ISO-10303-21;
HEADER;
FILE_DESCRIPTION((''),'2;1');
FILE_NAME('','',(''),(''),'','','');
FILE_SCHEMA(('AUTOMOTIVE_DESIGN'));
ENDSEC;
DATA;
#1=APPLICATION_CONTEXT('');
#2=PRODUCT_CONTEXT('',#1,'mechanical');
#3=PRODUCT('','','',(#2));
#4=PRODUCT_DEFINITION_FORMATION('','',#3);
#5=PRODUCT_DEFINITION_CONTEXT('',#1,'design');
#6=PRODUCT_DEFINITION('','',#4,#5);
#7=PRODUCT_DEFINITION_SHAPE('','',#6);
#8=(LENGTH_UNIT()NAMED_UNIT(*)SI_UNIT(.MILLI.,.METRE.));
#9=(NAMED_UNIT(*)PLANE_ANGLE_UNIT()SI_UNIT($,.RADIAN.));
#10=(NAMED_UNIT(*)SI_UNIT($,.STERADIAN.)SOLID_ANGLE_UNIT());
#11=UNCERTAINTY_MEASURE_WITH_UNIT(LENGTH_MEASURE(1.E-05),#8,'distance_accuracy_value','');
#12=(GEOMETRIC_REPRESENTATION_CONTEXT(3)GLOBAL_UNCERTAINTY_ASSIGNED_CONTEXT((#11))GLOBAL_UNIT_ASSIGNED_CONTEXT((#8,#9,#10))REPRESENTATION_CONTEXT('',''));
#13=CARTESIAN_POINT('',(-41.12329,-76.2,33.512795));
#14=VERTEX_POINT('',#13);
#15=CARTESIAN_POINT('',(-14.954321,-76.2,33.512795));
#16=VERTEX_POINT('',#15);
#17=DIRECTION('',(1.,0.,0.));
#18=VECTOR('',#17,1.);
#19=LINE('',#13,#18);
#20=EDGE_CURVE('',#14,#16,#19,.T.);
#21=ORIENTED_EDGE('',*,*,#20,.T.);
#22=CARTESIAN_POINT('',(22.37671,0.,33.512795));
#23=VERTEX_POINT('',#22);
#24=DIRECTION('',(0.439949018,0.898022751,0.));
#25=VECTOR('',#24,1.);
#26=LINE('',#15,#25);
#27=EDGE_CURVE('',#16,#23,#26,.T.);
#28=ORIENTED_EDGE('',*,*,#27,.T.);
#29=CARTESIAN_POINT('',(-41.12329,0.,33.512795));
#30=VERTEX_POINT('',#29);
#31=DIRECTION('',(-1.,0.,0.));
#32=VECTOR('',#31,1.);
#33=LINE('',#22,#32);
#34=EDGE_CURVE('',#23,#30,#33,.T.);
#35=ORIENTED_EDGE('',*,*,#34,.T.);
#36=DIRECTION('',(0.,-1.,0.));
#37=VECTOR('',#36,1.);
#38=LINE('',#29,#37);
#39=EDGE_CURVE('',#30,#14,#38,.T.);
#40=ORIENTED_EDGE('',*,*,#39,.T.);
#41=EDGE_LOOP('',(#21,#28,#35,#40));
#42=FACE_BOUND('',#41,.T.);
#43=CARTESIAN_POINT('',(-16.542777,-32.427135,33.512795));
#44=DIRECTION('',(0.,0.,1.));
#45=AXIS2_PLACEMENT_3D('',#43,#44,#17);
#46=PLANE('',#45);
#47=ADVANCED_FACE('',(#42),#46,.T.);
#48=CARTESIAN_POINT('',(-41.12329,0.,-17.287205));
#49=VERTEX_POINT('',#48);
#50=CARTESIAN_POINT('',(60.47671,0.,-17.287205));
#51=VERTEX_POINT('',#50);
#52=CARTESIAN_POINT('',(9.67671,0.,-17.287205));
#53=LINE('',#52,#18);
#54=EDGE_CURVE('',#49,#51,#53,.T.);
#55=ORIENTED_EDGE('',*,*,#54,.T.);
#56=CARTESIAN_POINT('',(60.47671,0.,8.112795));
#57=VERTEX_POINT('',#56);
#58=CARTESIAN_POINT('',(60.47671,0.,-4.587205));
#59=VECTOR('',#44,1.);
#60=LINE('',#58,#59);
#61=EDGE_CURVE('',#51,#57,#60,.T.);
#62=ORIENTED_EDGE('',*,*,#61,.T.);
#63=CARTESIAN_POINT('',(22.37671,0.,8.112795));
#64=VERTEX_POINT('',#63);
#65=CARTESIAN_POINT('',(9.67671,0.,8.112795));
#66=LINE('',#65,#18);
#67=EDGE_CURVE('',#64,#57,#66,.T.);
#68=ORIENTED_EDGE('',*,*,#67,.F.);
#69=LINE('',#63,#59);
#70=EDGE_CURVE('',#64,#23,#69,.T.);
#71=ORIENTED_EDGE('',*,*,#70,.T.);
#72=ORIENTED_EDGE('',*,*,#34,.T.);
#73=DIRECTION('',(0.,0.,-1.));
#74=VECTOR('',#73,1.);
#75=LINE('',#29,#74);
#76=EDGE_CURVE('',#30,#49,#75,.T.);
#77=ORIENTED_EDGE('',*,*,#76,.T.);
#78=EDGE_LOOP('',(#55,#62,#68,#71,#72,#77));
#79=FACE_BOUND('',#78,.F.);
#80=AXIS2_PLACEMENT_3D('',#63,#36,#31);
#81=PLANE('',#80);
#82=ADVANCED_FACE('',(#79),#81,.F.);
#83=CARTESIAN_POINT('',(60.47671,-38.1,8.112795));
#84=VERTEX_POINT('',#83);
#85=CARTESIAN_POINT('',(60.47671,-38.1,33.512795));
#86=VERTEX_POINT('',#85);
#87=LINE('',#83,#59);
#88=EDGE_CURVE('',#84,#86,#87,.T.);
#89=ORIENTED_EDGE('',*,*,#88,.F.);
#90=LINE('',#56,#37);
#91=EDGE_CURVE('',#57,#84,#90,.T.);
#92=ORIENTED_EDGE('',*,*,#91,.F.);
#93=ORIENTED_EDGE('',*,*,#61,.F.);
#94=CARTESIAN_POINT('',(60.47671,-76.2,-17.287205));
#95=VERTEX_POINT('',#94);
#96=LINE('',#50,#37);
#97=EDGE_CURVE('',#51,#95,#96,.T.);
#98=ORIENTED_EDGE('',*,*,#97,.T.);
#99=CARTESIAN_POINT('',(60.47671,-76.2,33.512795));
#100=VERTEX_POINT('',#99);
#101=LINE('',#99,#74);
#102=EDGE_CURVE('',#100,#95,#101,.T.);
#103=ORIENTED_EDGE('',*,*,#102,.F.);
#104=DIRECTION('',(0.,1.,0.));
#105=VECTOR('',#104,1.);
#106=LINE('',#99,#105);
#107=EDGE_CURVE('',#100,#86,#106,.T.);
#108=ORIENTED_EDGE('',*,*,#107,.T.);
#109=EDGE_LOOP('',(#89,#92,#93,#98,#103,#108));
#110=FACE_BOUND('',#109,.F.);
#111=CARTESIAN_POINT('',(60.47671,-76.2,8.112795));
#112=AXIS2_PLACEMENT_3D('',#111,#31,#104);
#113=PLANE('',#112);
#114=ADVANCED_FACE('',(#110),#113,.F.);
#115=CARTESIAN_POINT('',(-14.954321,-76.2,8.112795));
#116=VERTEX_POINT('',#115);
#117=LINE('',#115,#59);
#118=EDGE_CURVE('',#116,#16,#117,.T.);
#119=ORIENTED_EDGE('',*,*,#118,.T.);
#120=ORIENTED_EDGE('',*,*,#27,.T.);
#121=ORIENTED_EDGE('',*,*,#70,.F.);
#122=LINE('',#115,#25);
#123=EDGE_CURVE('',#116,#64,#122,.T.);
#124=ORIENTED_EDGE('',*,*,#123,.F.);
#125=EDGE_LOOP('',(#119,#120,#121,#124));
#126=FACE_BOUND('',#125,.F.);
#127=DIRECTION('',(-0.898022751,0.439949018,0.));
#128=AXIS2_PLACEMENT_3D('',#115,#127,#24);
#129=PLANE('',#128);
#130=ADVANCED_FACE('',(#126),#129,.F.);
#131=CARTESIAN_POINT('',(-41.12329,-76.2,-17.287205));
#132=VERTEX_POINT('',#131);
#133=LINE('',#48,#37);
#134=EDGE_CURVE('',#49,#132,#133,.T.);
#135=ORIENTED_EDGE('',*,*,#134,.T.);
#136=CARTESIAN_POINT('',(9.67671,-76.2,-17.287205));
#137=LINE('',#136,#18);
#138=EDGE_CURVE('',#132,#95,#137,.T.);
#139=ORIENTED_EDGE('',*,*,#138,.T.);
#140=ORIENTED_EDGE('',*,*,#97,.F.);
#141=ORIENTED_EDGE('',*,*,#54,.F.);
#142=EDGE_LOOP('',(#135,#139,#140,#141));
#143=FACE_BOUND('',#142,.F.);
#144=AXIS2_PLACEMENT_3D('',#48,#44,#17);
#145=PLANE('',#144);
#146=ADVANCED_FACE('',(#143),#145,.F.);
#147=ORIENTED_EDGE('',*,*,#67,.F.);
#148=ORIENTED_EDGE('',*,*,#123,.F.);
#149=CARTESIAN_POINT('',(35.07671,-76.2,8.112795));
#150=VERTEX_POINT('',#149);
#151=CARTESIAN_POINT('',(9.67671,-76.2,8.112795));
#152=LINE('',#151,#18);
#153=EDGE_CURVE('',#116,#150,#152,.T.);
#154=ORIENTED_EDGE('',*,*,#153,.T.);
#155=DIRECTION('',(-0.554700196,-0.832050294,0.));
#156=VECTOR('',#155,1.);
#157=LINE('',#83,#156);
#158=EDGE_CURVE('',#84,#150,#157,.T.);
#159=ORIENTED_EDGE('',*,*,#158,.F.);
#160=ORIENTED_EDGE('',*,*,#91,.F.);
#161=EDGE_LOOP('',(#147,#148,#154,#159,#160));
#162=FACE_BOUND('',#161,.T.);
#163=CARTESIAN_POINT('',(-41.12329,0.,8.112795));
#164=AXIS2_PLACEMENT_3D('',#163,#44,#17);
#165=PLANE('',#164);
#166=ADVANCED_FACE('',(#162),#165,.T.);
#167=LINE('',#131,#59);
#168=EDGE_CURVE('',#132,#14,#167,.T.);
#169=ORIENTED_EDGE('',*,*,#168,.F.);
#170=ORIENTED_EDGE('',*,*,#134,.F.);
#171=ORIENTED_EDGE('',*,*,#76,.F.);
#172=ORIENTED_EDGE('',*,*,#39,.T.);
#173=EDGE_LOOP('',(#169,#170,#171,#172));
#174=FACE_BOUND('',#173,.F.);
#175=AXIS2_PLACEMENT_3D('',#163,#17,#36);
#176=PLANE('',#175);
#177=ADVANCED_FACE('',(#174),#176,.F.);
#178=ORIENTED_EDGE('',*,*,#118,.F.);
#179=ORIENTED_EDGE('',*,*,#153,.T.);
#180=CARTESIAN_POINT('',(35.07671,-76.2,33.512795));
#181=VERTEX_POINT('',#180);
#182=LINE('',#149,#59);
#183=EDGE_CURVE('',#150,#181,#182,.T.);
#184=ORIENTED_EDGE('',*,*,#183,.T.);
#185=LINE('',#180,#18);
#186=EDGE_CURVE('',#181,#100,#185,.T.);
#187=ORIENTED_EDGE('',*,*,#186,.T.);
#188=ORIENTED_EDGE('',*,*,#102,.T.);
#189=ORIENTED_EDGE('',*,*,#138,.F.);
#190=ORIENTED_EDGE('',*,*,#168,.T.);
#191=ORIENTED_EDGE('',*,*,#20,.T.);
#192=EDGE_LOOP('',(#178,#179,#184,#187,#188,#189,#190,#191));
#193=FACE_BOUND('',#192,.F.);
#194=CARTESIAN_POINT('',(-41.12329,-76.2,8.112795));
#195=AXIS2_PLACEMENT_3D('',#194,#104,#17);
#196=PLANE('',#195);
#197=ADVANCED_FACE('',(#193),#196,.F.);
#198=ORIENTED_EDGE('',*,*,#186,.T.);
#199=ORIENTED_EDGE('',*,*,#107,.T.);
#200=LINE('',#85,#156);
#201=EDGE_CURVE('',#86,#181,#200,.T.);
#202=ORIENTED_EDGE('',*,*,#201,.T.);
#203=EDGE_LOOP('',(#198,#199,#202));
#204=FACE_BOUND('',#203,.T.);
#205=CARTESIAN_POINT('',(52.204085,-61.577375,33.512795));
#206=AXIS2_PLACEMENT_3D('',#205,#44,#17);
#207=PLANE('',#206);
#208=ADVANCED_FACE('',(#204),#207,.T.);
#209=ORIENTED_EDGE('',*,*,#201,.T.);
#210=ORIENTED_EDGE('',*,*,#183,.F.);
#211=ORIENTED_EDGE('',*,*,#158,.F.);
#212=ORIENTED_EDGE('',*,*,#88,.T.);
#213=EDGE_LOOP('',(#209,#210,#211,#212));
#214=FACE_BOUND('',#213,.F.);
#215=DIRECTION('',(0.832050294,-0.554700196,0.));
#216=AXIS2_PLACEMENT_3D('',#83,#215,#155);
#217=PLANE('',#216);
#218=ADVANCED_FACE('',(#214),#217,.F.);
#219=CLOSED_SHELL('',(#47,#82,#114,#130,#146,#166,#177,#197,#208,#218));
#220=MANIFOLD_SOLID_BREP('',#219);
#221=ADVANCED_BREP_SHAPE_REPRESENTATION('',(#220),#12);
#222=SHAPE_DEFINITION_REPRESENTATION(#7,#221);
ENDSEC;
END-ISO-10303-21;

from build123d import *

# Parameters (mm, degrees)
F0_W     = 101.6
F0_H     = 25.4
F1_DEPTH = 76.2
F3_DEPTH = 25.4
F5_DEPTH = 25.4


with BuildPart() as f1:
    # F0 (on Front) → F1 (new body)
    with BuildSketch(Plane.XZ):
        with Locations((9.67671, -4.587205)):
            Rectangle(F0_W, F0_H)
    extrude(amount=F1_DEPTH)

    # F2 (on face) → F3 (join)
    with BuildSketch(Plane.XY.offset(8.112795)):
        Polygon((60.47671, -38.1), (35.07671, -76.2), (60.47671, -76.2), align=None)
    extrude(amount=F3_DEPTH)

    # F4 (on face) → F5 (join)
    with BuildSketch(Plane.XY.offset(8.112795)):
        Polygon((-41.12329, 0), (-41.12329, -76.2), (-14.954321, -76.2), (22.37671, 0), align=None)
    extrude(amount=F5_DEPTH)


solid = f1.part
